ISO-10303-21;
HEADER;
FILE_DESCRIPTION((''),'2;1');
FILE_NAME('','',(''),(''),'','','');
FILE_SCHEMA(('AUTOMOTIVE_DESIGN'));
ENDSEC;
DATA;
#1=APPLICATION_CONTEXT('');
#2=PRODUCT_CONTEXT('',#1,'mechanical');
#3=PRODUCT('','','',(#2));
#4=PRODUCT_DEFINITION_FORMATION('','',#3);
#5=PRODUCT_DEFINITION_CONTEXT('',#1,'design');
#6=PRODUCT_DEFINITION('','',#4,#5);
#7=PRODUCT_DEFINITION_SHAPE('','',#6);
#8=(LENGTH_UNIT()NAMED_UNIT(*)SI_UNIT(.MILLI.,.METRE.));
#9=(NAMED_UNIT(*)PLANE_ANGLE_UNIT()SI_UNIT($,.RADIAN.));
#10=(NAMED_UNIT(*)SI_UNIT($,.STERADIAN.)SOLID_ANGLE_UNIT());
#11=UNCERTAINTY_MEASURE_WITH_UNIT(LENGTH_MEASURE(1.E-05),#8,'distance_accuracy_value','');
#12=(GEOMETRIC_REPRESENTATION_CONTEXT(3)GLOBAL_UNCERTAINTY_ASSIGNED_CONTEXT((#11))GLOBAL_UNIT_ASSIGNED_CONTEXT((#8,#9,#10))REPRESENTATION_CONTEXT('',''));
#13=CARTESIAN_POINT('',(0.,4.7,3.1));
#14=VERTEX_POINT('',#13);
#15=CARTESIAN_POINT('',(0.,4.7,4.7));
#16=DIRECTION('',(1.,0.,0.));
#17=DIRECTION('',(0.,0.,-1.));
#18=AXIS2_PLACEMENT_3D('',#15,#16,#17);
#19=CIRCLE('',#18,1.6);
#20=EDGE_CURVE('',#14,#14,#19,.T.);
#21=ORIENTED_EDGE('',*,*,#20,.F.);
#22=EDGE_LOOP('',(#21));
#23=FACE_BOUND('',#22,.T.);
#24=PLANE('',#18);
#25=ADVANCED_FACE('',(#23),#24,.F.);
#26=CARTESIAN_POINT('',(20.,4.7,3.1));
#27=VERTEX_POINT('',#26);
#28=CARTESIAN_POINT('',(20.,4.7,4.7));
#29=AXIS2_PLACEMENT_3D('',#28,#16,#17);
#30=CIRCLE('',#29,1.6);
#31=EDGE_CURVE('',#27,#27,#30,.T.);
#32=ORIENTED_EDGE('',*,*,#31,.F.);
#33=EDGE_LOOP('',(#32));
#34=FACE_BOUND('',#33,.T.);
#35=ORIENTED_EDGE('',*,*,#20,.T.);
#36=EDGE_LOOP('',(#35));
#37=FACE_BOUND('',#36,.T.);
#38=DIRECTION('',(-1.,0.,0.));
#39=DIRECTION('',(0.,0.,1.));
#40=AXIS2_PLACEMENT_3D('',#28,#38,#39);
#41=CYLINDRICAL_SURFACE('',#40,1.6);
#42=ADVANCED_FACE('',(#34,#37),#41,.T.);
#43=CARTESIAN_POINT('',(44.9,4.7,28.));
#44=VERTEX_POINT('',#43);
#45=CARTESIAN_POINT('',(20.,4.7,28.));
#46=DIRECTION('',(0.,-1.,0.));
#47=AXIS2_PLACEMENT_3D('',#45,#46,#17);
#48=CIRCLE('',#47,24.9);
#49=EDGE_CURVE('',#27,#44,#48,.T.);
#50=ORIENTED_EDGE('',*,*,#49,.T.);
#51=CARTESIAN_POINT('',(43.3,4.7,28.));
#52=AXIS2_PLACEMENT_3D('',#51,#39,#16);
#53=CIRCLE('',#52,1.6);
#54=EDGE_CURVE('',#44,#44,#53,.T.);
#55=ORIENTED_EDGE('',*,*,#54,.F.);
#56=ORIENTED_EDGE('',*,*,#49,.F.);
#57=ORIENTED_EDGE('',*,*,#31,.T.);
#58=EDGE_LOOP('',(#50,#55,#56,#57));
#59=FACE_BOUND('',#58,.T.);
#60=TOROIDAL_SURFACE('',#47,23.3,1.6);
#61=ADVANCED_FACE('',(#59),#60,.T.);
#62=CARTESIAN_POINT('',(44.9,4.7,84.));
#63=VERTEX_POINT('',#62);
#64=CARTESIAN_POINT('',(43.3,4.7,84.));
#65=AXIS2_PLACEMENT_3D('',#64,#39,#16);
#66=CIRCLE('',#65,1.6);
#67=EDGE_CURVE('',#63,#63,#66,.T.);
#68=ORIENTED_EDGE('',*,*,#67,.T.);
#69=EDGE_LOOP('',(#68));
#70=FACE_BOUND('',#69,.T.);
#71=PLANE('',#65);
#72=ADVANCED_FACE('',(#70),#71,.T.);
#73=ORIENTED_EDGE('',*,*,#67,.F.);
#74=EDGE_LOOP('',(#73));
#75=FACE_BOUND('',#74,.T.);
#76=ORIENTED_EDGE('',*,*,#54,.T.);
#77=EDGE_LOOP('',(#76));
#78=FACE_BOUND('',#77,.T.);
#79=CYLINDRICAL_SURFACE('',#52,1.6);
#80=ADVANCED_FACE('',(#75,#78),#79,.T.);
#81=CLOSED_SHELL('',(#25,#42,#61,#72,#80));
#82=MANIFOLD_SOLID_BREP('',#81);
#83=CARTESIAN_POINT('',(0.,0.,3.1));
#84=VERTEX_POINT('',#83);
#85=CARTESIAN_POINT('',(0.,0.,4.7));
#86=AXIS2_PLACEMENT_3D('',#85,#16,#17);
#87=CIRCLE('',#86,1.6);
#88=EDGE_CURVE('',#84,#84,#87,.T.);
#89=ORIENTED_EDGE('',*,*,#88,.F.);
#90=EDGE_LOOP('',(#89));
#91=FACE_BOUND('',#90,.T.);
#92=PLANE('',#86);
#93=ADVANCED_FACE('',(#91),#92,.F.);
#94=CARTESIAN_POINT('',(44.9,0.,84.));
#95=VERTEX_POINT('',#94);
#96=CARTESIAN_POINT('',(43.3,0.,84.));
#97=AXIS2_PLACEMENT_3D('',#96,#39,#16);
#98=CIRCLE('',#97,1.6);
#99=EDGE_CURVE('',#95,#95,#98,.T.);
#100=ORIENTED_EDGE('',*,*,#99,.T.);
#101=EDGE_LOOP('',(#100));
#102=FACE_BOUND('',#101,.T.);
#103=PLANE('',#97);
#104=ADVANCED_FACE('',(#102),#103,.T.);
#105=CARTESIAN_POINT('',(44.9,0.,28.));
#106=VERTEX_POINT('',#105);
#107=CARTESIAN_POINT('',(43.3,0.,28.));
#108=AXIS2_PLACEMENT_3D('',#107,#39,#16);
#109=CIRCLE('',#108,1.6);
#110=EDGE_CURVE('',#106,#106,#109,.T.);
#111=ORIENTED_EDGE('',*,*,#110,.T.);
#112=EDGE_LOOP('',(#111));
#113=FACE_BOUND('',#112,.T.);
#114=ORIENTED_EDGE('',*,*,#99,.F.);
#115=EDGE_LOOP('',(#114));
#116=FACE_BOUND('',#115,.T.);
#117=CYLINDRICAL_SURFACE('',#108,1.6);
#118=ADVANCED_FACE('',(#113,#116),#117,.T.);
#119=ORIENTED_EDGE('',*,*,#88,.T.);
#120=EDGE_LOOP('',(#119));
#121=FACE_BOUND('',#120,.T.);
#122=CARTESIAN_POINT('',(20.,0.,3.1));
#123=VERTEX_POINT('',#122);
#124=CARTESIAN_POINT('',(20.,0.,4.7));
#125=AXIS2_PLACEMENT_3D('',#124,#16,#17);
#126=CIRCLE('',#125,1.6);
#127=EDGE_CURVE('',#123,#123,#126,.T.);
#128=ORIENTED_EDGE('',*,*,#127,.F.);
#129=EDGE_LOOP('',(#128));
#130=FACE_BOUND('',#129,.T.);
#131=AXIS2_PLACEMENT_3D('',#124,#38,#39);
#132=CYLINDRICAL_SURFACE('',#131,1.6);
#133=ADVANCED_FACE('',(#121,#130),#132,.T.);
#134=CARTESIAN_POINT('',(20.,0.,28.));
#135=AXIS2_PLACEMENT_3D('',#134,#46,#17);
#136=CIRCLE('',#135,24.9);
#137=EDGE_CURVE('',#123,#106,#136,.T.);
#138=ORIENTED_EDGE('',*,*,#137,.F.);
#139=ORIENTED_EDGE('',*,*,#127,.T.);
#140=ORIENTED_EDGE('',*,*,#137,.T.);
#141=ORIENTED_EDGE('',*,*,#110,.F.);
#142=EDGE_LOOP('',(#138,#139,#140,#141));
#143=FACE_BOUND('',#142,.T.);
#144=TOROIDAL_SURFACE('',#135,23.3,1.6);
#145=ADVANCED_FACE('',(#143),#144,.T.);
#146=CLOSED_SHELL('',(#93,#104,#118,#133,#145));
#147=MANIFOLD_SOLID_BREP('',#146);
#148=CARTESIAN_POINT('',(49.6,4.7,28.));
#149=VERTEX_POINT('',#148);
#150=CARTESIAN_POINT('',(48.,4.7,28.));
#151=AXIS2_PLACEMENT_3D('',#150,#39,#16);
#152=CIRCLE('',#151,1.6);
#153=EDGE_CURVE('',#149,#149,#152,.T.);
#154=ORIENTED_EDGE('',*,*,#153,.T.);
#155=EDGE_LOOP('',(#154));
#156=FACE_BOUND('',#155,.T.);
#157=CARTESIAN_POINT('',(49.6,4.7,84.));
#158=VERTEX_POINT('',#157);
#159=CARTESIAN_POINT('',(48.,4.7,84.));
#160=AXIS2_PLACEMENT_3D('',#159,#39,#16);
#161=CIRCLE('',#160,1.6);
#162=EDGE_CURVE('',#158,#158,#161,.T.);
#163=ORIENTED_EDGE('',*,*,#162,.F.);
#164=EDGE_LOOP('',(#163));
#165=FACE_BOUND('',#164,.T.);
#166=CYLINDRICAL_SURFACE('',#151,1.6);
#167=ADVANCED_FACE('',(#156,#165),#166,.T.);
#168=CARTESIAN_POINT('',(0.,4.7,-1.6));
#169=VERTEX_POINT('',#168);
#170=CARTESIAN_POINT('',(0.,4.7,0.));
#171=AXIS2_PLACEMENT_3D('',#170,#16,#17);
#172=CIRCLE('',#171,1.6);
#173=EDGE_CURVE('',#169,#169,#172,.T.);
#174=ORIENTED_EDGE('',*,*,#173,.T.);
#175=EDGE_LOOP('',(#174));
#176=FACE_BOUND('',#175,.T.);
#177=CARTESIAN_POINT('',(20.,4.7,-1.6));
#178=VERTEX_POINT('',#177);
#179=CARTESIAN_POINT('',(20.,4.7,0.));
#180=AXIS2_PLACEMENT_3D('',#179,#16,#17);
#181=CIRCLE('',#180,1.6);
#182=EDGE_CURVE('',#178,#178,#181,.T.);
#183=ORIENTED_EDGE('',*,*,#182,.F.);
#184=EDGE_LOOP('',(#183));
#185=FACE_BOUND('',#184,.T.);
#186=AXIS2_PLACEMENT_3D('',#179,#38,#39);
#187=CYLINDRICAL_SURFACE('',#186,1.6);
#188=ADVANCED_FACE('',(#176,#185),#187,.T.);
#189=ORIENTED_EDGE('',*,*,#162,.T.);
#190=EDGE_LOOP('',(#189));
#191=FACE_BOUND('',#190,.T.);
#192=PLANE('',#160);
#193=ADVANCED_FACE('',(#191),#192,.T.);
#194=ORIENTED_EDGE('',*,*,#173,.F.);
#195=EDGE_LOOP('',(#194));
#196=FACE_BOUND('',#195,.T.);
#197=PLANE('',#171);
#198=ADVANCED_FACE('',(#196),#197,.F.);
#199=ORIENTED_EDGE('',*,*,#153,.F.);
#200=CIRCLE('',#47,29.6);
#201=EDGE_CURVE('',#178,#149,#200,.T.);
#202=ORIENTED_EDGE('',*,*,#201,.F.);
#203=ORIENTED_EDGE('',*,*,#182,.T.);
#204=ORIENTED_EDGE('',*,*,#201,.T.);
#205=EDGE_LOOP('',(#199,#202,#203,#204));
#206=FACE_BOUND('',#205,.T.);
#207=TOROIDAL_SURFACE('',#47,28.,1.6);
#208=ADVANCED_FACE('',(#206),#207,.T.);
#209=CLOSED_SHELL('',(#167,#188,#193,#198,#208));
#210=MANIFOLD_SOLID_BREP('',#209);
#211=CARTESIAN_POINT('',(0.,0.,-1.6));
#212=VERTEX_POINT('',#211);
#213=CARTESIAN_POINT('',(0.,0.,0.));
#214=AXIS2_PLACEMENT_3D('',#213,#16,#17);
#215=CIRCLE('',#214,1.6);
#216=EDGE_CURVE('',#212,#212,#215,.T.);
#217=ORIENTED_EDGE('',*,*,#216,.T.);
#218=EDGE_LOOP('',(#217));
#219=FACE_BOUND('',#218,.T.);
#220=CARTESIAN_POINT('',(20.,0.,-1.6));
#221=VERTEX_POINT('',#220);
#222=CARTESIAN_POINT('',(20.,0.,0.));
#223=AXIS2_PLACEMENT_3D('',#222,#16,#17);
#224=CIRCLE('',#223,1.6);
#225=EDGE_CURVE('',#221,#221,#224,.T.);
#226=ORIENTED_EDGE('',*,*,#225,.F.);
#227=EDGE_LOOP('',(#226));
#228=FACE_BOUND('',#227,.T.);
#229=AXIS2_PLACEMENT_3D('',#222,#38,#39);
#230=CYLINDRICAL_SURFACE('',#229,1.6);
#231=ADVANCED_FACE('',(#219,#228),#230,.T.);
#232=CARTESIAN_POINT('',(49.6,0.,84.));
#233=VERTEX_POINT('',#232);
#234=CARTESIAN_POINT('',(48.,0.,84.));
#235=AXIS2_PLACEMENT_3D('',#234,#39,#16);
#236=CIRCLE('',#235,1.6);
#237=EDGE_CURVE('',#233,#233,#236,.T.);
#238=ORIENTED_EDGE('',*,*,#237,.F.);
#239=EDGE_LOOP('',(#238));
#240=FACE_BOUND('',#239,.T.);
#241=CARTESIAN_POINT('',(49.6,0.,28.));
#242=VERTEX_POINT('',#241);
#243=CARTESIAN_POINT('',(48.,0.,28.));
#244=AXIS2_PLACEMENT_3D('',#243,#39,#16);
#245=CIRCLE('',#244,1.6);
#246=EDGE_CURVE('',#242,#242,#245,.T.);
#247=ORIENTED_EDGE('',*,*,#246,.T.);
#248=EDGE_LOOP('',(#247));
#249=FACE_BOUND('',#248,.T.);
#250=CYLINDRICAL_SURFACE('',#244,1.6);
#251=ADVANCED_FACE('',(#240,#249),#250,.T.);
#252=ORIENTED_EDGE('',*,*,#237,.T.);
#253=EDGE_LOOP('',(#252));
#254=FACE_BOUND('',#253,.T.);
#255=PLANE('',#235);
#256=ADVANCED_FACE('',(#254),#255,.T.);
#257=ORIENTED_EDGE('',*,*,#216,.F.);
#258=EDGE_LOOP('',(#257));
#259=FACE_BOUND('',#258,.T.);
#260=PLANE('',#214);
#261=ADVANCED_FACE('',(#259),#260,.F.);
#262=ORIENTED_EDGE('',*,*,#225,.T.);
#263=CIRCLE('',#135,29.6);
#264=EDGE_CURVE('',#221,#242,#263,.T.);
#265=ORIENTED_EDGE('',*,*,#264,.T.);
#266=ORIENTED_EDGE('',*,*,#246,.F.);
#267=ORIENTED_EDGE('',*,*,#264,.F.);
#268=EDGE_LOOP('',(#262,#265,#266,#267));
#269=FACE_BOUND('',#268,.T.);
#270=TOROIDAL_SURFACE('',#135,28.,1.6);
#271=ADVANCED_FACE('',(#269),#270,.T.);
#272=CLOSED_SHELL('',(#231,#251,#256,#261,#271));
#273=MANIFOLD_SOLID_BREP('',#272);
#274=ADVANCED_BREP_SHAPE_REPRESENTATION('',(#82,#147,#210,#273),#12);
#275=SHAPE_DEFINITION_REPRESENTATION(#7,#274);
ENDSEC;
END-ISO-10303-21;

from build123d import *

# Parameters (mm, degrees)
SKETCH2_R       = 1.6
LPATTERN1_COUNT = 2
LPATTERN1_PITCH = 4.7


with BuildPart() as part:
    # Sweep1: sweep along a path in Sketch1
    with BuildLine(Plane(origin=(0, 0, 0), x_dir=(1, 0, 0), z_dir=(0, 1, 0))) as sweep1_path:
        Line((0, 0), (20, 0))
        ThreePointArc((20, 0), (39.798989873, -8.201010127), (48, -28))
        Line((48, -28), (48, -84))
    # Sketch2 → Sweep1 (sweep)
    with BuildSketch(Plane(origin=(0, 0, 0), x_dir=(0, 0, -1), z_dir=(1, 0, 0))):
        Circle(SKETCH2_R)
        with Locations((-4.7, 0)):
            Circle(SKETCH2_R)
    sweep1 = sweep(path=sweep1_path.line)


with BuildPart() as lpattern1_1:
    # LPattern1: Sweep1 ×2
    with Locations(*[(0, i * LPATTERN1_PITCH, 0) for i in range(1, LPATTERN1_COUNT)]):
        add(sweep1)


solid = Compound([part.part, lpattern1_1.part])
